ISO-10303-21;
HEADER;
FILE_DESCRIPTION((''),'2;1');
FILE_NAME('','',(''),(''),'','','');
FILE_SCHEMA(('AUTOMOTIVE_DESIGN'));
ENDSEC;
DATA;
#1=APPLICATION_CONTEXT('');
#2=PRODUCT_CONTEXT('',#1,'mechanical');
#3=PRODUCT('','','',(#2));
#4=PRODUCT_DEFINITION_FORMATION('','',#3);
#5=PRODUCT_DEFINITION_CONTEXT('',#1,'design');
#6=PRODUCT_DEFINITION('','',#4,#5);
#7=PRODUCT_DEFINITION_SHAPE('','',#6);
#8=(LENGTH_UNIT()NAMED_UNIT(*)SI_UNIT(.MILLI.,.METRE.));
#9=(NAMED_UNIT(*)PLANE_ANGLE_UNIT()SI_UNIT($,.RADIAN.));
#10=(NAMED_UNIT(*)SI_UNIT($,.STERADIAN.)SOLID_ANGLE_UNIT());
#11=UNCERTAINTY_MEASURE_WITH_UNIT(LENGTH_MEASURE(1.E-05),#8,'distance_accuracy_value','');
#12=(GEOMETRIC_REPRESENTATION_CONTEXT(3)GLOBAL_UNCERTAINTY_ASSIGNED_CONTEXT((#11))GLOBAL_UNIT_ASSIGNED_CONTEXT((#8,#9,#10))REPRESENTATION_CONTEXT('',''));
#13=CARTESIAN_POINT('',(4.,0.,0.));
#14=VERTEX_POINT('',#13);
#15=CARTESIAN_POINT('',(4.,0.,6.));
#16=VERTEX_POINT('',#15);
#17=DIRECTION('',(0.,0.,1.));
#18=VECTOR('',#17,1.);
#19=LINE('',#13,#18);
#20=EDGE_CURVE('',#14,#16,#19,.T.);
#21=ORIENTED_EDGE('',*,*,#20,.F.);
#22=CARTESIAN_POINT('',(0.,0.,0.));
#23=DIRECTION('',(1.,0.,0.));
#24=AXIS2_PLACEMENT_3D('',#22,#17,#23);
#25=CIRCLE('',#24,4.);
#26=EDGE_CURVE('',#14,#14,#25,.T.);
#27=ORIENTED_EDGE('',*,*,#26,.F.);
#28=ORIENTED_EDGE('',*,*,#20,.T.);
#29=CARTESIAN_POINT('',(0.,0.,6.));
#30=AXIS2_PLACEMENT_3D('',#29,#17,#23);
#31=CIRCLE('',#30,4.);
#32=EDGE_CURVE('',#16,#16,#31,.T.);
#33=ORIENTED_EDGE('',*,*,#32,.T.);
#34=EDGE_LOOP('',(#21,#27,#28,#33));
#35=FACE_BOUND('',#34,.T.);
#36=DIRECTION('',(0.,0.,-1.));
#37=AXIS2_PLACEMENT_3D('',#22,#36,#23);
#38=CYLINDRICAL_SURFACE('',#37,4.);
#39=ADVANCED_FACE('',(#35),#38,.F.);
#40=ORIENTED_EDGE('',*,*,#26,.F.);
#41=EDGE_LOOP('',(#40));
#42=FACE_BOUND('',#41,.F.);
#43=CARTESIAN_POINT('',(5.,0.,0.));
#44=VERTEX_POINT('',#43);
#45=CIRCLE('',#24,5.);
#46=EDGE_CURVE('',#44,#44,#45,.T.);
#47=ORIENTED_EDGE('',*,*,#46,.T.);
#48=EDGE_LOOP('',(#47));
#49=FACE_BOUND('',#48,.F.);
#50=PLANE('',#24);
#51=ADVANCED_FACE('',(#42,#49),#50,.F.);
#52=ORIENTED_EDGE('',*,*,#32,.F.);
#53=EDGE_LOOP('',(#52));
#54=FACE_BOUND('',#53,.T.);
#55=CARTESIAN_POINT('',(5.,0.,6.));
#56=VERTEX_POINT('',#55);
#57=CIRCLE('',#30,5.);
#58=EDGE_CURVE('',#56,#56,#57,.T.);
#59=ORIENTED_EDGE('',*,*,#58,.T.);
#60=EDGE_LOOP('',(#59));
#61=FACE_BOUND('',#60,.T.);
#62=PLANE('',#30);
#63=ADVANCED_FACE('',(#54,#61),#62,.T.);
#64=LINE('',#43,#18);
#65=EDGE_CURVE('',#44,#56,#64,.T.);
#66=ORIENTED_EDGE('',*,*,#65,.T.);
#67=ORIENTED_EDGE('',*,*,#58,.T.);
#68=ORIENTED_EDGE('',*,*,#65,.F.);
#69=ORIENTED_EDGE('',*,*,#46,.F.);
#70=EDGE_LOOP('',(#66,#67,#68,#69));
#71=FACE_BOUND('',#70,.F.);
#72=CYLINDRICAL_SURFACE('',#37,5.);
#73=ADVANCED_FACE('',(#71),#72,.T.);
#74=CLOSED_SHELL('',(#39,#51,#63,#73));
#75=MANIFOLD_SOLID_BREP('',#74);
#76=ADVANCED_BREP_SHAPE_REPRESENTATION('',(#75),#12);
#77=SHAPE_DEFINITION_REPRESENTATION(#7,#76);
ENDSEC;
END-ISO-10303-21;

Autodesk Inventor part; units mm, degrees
ref_plane "YZ Plane" through (0, 0, 0) normal (1, 0, 0) x (0, 1, 0)
ref_plane "XZ Plane" through (0, 0, 0) normal (0, 1, 0) x (-1, 0, 0)
ref_plane "XY Plane" through (0, 0, 0) normal (0, 0, 1) x (1, 0, 0)
sketch "スケッチ1" plane through (0, 0, 0) normal (0, 0, 1) x (1, 0, 0)
  circle A0 centre (0, 0) radius 4
  circle A1 centre (0, 0) radius 5
  dimension "d0" = 8
  dimension "d1" = 10
extrude "押し出し1" add sketch "スケッチ1" along normal blind 6
properties part number "オイレス8-10-6" material "アセタール樹脂、黒"
